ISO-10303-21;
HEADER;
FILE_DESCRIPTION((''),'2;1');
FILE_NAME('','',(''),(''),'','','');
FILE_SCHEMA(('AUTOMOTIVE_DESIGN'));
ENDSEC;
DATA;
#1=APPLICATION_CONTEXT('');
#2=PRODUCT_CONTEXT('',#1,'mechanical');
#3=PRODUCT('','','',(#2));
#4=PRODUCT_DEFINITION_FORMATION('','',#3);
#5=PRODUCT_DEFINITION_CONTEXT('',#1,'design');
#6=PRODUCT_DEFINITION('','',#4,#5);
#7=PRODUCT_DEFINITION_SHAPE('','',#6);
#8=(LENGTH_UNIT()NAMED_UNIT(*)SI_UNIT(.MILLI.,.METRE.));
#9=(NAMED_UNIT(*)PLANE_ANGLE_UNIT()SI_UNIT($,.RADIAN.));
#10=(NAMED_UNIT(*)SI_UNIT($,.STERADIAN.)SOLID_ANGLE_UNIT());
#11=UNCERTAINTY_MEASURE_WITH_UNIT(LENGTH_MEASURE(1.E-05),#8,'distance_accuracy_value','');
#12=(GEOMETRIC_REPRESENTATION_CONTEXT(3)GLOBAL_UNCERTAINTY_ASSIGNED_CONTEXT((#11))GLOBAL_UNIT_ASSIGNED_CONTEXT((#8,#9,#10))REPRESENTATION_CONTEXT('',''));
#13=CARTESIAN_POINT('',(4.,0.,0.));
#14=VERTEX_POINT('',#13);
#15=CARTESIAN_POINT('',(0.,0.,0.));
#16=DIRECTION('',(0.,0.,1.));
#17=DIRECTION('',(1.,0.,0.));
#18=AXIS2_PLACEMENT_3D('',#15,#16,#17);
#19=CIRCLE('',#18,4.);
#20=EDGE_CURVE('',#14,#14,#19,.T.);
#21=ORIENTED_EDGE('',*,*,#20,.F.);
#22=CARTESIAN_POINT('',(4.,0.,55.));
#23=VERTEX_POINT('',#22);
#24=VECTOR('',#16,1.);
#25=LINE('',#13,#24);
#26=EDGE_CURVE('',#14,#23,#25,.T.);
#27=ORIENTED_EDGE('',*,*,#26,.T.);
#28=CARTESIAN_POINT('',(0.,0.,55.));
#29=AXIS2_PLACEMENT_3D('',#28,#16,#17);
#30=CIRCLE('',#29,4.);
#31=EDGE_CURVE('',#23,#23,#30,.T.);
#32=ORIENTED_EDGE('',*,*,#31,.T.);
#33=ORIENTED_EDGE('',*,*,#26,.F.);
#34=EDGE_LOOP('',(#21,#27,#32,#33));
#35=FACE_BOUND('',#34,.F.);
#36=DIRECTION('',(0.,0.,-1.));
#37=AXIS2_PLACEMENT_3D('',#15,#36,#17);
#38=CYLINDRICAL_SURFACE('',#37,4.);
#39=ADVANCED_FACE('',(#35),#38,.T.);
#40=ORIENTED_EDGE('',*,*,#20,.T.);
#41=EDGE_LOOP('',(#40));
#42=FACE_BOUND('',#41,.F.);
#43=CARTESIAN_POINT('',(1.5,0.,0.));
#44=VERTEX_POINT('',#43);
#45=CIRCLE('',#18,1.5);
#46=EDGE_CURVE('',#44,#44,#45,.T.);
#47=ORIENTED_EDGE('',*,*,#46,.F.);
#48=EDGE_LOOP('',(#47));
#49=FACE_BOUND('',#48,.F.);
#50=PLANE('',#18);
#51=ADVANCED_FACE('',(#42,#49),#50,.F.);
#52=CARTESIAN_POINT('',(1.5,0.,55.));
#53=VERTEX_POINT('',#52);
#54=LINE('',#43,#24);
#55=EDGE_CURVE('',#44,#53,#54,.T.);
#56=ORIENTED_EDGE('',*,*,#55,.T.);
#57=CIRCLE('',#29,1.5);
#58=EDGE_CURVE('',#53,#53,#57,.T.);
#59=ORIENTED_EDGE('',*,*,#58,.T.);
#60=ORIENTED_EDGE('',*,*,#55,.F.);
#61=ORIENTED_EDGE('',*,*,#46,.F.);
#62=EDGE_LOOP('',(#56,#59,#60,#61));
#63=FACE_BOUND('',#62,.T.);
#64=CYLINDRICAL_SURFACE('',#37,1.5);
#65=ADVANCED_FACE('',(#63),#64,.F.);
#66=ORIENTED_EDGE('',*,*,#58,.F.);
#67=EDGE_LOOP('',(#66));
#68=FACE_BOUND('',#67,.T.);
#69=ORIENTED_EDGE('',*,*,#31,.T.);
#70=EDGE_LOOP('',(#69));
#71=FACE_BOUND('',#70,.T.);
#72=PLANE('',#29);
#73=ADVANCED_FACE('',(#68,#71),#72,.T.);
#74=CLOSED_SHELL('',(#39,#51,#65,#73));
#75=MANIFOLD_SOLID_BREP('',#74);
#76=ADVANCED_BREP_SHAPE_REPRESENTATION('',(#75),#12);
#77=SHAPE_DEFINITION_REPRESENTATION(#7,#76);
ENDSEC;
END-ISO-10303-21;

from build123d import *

# Parameters (mm, degrees)
SKETCH_R   = 4
SKETCH_R_2 = 1.5
PAD_DEPTH  = 55


with BuildPart() as part:
    # Sketch → Pad (new body)
    with BuildSketch(Plane.XY):
        Circle(SKETCH_R)
        Circle(SKETCH_R_2, mode=Mode.SUBTRACT)
    extrude(amount=PAD_DEPTH)


solid = part.part
